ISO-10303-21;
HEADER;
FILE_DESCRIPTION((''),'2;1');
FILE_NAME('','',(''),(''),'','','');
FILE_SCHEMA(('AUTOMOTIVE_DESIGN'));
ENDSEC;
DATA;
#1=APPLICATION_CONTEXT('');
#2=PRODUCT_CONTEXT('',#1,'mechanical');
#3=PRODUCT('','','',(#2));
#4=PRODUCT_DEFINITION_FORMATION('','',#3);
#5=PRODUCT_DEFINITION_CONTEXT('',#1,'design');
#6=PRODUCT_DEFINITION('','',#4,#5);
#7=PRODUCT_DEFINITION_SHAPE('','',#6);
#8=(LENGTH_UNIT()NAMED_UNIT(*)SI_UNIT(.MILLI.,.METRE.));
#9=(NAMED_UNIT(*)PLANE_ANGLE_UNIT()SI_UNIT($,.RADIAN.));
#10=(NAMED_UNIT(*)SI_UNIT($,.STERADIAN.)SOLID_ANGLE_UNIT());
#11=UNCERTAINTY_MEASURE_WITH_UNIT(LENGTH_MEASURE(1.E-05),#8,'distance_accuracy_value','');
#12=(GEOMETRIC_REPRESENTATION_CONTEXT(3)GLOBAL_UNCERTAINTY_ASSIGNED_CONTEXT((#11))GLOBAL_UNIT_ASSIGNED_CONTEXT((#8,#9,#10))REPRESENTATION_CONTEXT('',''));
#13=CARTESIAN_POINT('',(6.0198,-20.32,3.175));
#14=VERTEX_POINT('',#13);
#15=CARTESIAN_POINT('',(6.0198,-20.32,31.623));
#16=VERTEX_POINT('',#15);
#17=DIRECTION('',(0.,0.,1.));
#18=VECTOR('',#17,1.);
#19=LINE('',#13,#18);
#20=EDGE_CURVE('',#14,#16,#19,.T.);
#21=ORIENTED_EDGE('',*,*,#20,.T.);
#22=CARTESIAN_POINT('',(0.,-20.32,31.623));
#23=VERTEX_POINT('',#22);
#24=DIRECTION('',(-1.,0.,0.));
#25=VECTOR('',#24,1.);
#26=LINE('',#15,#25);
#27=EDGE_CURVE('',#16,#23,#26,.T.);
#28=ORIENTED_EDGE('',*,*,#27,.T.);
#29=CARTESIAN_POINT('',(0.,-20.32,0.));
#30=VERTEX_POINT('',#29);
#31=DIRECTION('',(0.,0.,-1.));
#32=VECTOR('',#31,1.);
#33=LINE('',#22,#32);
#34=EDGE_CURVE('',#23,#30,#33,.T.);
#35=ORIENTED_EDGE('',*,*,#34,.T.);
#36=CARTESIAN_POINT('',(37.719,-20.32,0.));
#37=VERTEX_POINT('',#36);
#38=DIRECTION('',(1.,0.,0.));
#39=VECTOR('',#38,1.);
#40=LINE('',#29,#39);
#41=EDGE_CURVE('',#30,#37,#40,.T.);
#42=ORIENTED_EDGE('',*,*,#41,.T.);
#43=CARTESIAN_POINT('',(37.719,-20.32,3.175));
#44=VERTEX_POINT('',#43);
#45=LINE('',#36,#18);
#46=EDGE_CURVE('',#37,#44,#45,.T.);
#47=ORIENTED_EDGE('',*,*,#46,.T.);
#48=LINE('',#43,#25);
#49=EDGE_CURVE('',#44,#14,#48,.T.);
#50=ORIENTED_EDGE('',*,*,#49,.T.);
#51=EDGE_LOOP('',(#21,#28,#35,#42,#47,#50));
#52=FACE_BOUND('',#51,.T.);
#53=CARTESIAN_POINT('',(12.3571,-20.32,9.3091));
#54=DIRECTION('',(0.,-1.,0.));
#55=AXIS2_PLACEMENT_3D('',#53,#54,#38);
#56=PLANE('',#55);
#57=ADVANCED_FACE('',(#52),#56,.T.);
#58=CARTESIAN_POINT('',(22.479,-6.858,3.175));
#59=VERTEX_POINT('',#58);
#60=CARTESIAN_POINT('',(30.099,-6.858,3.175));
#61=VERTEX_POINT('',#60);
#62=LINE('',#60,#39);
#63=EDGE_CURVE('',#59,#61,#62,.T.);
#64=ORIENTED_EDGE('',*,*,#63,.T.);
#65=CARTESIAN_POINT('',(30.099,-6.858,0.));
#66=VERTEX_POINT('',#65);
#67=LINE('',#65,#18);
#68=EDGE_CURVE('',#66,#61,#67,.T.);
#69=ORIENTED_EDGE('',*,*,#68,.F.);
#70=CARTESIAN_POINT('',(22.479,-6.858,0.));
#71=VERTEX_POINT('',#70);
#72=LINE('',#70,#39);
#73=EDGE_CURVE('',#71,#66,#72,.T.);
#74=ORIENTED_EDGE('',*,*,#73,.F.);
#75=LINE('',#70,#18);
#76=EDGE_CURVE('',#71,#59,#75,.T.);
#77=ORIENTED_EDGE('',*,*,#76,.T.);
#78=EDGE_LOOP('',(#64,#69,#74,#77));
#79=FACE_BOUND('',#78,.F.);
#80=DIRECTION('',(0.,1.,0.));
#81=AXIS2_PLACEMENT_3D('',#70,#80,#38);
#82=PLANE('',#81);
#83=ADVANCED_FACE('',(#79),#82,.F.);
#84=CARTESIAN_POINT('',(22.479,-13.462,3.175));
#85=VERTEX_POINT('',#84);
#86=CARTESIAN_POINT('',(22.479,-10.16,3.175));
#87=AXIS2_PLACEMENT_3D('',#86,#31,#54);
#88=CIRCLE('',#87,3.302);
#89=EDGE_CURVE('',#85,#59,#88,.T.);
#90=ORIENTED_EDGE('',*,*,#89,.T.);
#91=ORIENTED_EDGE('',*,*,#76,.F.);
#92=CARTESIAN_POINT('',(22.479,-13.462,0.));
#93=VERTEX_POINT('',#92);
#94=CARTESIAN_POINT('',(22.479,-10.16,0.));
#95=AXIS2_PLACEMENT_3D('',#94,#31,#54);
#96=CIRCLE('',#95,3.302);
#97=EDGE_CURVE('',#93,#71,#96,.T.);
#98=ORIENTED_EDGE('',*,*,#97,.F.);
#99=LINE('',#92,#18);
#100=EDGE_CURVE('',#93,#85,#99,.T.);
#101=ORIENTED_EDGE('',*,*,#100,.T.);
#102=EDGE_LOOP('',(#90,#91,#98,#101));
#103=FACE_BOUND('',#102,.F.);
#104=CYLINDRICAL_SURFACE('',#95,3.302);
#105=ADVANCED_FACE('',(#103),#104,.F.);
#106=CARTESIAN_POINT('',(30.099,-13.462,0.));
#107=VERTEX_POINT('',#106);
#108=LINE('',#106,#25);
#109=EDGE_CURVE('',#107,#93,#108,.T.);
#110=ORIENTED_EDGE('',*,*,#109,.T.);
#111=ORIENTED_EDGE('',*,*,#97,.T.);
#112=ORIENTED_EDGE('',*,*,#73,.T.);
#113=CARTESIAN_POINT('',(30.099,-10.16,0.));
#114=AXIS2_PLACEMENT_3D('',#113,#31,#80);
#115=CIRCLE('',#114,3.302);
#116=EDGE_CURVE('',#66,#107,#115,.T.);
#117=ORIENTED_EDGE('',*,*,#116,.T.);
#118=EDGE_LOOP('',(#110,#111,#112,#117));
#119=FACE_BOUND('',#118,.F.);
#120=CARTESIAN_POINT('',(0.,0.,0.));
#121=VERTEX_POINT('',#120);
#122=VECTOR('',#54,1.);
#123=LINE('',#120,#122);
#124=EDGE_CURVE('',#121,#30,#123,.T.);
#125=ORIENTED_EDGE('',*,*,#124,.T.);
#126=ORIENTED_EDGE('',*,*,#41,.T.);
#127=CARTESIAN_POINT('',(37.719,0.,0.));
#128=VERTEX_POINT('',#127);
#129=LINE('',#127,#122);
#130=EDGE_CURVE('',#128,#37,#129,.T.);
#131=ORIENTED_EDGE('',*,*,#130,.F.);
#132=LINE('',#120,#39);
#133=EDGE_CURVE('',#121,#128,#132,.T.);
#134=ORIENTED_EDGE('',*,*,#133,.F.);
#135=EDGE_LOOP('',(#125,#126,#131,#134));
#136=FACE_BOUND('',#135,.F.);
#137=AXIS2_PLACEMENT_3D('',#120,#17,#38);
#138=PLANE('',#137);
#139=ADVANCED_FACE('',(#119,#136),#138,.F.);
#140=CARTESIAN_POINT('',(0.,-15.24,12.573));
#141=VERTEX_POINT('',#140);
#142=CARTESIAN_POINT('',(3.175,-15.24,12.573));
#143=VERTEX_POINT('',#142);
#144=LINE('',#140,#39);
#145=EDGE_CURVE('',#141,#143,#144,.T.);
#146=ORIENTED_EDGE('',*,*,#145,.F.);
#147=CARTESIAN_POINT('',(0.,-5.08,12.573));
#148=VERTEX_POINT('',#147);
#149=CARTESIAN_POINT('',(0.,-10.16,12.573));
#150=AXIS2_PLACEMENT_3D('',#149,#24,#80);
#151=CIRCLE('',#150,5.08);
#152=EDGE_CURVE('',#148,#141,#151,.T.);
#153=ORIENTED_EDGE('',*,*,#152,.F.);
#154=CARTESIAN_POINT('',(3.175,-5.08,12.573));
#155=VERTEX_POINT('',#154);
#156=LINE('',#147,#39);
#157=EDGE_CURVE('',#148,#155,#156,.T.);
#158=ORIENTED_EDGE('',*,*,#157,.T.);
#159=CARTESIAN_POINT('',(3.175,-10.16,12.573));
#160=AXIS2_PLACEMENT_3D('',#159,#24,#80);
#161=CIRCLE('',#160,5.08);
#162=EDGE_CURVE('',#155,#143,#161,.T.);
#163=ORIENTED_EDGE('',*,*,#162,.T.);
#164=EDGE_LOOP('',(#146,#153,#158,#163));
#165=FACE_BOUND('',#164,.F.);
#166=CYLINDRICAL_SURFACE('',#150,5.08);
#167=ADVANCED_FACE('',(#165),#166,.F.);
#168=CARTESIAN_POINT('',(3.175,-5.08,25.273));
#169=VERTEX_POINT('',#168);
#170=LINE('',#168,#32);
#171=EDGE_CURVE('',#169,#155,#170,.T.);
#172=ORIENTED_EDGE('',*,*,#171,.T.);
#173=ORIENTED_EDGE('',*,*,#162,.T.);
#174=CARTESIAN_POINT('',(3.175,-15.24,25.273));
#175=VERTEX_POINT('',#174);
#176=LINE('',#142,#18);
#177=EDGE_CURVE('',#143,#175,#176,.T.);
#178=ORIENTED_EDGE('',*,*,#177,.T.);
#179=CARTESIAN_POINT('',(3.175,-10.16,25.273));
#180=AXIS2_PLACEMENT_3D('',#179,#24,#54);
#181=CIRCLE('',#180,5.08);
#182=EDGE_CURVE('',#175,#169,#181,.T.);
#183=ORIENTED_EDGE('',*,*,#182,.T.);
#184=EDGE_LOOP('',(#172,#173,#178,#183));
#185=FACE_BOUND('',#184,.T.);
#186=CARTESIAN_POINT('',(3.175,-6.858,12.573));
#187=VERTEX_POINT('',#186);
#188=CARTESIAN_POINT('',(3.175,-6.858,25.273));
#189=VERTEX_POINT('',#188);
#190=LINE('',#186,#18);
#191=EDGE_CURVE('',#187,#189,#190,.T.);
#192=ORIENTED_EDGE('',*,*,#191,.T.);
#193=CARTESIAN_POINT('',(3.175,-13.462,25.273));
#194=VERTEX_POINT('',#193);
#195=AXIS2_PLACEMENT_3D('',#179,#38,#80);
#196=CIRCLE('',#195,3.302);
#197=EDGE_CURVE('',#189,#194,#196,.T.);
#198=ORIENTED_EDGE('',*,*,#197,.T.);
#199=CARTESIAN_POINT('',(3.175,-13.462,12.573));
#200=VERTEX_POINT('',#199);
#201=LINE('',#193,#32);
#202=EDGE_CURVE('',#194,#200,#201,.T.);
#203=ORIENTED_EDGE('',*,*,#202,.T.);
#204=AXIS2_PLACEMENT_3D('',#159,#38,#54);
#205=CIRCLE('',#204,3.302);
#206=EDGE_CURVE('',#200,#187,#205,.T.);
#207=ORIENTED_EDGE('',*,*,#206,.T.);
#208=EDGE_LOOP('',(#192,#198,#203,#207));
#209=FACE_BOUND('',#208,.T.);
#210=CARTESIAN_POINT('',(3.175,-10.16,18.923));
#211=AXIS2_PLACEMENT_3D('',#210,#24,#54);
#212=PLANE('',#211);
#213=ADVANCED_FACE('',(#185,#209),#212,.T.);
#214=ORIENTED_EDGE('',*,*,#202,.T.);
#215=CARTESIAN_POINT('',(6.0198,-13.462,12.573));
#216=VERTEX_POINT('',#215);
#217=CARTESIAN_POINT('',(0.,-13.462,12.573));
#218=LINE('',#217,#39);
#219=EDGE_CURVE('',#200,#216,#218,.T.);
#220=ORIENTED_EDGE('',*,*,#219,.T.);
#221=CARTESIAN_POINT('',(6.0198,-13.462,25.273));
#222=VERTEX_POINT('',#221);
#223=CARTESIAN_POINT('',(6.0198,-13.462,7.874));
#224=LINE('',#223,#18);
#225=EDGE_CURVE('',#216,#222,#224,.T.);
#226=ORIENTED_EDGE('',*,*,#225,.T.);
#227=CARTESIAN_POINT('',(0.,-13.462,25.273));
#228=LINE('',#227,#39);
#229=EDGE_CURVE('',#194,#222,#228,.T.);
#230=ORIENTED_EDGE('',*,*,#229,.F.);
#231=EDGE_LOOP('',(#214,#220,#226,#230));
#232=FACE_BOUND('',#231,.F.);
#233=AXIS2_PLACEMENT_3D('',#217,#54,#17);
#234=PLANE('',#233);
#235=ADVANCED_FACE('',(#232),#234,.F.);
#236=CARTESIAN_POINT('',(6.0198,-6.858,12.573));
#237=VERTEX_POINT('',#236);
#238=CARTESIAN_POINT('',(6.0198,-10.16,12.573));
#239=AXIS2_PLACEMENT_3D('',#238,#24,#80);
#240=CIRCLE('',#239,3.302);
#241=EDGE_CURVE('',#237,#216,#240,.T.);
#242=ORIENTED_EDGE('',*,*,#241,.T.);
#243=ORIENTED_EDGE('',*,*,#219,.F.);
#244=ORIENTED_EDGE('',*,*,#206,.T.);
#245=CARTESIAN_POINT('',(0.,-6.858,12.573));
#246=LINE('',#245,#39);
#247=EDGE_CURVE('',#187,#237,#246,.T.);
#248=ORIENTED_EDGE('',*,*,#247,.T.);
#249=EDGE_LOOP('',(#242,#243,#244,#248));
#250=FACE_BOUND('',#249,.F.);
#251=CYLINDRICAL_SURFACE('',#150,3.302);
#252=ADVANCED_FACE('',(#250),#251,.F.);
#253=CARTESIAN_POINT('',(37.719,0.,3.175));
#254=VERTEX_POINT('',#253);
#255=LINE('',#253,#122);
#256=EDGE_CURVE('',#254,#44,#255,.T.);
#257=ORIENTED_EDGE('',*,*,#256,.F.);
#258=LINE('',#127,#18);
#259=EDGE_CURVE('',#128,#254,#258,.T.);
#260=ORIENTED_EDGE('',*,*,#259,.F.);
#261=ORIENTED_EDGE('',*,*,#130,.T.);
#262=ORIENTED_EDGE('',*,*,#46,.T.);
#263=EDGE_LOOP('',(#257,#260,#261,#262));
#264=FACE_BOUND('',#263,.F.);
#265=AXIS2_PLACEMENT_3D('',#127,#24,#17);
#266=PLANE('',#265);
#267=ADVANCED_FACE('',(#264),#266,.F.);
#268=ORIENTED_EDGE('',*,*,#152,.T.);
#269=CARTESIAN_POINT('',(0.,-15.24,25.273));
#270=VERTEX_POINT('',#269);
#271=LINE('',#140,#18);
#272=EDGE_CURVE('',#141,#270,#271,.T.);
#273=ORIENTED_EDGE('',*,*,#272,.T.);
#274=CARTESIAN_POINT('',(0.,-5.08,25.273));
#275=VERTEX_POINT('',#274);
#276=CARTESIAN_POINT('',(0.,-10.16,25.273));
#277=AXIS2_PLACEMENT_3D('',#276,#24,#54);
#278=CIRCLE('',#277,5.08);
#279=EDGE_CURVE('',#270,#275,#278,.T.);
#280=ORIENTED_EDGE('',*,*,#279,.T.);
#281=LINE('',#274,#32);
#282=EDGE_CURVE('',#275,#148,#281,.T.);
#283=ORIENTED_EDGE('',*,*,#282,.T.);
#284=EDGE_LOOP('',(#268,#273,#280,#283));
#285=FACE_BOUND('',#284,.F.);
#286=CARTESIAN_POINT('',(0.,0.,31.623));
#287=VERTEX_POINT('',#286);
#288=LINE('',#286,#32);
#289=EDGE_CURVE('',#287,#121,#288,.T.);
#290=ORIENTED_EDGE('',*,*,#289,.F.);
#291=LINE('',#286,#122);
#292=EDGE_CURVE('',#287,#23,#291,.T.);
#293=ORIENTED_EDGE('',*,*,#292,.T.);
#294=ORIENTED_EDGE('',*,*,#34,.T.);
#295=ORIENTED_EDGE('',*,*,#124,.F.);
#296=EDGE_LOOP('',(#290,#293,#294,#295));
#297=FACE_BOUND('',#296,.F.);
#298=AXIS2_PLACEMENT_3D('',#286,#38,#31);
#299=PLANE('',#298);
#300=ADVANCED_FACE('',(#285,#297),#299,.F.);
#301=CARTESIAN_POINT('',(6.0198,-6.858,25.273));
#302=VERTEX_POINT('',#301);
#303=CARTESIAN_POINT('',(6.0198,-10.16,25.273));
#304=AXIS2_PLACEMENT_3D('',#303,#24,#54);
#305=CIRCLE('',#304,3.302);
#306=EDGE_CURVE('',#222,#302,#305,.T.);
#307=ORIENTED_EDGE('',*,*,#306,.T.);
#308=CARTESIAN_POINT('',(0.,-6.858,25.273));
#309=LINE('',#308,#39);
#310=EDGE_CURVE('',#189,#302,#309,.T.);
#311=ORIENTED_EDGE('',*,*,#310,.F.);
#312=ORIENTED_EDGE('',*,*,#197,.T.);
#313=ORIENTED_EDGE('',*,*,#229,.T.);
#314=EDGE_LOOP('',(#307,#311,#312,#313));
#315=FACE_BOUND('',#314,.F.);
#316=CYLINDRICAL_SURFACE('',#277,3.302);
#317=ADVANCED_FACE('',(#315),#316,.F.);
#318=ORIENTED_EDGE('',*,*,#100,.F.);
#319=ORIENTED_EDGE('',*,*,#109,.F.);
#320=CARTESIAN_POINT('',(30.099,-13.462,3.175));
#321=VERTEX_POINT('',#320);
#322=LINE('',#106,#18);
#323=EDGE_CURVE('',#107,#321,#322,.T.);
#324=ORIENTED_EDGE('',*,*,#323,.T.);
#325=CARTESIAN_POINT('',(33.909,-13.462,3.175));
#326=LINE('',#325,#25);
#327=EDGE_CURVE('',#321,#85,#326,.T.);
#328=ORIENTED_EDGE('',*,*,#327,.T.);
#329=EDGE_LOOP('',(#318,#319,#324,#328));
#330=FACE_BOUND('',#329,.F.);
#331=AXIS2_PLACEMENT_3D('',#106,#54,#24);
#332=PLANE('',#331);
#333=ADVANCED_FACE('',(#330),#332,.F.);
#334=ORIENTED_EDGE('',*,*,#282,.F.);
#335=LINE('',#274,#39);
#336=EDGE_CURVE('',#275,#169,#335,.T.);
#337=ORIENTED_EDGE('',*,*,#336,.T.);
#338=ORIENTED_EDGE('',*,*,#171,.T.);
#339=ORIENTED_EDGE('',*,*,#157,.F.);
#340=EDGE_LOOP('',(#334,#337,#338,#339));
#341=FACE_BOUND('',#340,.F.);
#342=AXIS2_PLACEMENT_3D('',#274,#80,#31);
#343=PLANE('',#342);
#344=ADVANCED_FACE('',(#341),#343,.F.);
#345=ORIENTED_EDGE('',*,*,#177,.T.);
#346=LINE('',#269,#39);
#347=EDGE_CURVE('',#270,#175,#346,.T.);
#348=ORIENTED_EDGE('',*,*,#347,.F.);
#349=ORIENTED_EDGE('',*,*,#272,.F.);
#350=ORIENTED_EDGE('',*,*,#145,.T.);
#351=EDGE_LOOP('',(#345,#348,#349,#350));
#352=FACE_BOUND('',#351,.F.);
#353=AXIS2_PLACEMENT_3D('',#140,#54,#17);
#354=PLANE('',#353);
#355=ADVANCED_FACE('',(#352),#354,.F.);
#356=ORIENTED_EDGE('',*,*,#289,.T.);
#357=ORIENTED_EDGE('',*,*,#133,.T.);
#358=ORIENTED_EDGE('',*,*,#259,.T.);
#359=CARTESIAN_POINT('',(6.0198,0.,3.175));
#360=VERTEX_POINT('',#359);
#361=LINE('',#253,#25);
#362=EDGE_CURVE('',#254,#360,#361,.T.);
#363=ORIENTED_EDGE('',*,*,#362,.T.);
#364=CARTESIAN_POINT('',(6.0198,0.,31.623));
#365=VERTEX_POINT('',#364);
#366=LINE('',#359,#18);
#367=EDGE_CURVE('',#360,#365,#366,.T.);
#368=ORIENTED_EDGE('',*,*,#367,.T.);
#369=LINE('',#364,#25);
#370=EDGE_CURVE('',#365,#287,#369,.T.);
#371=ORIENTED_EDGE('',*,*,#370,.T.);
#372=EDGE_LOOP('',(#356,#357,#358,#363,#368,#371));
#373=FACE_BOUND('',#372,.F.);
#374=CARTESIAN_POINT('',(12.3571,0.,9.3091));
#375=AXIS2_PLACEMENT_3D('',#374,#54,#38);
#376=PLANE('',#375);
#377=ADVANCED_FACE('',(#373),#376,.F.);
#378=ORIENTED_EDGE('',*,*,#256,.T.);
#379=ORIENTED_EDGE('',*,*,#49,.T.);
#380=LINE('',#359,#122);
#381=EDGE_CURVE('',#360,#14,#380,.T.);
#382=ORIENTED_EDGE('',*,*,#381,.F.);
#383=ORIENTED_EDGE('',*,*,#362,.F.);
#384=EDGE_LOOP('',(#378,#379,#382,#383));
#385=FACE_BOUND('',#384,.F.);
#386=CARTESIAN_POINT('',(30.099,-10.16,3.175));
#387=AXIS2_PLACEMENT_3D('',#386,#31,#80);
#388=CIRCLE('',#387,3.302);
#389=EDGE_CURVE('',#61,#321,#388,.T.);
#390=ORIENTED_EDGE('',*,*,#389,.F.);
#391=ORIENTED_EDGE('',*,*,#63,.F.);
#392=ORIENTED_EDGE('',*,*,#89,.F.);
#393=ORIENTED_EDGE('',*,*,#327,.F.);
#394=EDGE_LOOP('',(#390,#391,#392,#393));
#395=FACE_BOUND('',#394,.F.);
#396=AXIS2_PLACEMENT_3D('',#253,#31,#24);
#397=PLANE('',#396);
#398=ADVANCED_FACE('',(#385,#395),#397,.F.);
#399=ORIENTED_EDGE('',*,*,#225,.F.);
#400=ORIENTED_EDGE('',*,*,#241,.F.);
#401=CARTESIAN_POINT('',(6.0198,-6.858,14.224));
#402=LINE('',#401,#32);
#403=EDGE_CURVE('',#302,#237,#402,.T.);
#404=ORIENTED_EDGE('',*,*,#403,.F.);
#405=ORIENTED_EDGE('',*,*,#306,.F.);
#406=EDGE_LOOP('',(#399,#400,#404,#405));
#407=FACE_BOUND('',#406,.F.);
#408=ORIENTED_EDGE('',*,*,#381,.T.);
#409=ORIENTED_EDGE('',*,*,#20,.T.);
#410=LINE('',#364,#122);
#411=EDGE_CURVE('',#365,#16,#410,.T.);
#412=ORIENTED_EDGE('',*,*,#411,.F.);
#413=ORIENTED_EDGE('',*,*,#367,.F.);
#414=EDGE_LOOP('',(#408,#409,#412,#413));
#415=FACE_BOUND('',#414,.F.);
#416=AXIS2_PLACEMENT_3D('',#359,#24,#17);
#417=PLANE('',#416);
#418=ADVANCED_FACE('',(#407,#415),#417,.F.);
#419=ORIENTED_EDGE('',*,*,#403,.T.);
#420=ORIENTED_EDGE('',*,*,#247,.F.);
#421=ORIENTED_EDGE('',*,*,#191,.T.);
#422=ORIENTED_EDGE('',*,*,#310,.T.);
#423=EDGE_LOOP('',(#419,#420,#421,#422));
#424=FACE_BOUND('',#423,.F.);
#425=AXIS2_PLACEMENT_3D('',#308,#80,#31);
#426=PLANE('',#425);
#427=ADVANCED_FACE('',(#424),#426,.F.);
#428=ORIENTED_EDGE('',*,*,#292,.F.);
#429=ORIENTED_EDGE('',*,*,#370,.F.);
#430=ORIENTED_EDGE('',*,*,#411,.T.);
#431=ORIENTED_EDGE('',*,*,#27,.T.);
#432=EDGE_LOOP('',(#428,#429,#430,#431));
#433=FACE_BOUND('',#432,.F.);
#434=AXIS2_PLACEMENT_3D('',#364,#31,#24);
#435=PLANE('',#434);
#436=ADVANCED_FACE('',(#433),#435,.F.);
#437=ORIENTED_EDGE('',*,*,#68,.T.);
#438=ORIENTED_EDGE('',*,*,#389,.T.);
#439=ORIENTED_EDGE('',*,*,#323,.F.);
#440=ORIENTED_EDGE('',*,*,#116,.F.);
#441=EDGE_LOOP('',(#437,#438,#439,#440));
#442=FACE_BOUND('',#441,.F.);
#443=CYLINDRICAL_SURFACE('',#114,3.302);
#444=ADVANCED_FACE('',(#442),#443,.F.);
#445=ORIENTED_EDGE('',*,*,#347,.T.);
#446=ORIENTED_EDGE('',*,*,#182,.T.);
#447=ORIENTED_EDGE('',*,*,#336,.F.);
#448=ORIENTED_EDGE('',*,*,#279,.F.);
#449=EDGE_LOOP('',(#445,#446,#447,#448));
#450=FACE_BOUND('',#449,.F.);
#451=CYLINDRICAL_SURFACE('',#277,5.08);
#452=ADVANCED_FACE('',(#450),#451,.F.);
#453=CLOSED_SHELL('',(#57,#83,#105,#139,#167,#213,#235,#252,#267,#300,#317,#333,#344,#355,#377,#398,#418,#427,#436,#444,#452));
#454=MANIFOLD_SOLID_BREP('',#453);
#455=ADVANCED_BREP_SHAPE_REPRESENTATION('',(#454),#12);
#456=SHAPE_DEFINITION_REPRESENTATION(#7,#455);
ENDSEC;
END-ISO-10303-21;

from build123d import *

# Parameters (mm, degrees)
F1_DEPTH = 20.32
F3_DEPTH = 15.24
F5_DEPTH = 25.4
F6_DEPTH = 3.175


with BuildPart() as f1:
    # F0 (on Front) → F1 (new body)
    with BuildSketch(Plane.XZ):
        Polygon((0, 31.623), (0, 0), (37.719, 0), (37.719, 3.175), (6.0198, 3.175), (6.0198, 31.623), align=None)
    extrude(amount=F1_DEPTH)

    # F2 (on face) → F3 (cut)
    with BuildSketch(Plane(origin=(0, 0, 0), x_dir=(1, 0, 0), z_dir=(0, 0, -1))):
        with BuildLine():
            Line((22.479, 6.858), (30.099, 6.858))
            ThreePointArc((30.099, 6.858), (33.401, 10.16), (30.099, 13.462))
            Line((30.099, 13.462), (22.479, 13.462))
            ThreePointArc((22.479, 13.462), (19.177, 10.16), (22.479, 6.858))
        make_face()
    extrude(amount=-F3_DEPTH, mode=Mode.SUBTRACT)

    # F4 (on face) → F5 (cut)
    with BuildSketch(Plane(origin=(0, 0, 0), x_dir=(0, -1, 0), z_dir=(-1, 0, 0))):
        with BuildLine():
            Line((13.462, 12.573), (13.462, 25.273))
            ThreePointArc((13.462, 25.273), (10.16, 28.575), (6.858, 25.273))
            Line((6.858, 25.273), (6.858, 12.573))
            ThreePointArc((6.858, 12.573), (10.16, 9.271), (13.462, 12.573))
        make_face()
    extrude(amount=-F5_DEPTH, mode=Mode.SUBTRACT)

    # F4 (on face) → F6 (cut)
    with BuildSketch(Plane(origin=(0, 0, 0), x_dir=(0, -1, 0), z_dir=(-1, 0, 0))):
        with BuildLine():
            Line((15.24, 12.573), (15.24, 25.273))
            ThreePointArc((15.24, 25.273), (10.16, 30.353), (5.08, 25.273))
            Line((5.08, 25.273), (5.08, 12.573))
            ThreePointArc((5.08, 12.573), (10.16, 7.493), (15.24, 12.573))
        make_face()
        with BuildLine():
            ThreePointArc((6.858, 25.273), (10.16, 28.575), (13.462, 25.273))
            Line((13.462, 25.273), (13.462, 12.573))
            ThreePointArc((13.462, 12.573), (10.16, 9.271), (6.858, 12.573))
            Line((6.858, 12.573), (6.858, 25.273))
        make_face(mode=Mode.SUBTRACT)
    extrude(amount=-F6_DEPTH, mode=Mode.SUBTRACT)


solid = f1.part
